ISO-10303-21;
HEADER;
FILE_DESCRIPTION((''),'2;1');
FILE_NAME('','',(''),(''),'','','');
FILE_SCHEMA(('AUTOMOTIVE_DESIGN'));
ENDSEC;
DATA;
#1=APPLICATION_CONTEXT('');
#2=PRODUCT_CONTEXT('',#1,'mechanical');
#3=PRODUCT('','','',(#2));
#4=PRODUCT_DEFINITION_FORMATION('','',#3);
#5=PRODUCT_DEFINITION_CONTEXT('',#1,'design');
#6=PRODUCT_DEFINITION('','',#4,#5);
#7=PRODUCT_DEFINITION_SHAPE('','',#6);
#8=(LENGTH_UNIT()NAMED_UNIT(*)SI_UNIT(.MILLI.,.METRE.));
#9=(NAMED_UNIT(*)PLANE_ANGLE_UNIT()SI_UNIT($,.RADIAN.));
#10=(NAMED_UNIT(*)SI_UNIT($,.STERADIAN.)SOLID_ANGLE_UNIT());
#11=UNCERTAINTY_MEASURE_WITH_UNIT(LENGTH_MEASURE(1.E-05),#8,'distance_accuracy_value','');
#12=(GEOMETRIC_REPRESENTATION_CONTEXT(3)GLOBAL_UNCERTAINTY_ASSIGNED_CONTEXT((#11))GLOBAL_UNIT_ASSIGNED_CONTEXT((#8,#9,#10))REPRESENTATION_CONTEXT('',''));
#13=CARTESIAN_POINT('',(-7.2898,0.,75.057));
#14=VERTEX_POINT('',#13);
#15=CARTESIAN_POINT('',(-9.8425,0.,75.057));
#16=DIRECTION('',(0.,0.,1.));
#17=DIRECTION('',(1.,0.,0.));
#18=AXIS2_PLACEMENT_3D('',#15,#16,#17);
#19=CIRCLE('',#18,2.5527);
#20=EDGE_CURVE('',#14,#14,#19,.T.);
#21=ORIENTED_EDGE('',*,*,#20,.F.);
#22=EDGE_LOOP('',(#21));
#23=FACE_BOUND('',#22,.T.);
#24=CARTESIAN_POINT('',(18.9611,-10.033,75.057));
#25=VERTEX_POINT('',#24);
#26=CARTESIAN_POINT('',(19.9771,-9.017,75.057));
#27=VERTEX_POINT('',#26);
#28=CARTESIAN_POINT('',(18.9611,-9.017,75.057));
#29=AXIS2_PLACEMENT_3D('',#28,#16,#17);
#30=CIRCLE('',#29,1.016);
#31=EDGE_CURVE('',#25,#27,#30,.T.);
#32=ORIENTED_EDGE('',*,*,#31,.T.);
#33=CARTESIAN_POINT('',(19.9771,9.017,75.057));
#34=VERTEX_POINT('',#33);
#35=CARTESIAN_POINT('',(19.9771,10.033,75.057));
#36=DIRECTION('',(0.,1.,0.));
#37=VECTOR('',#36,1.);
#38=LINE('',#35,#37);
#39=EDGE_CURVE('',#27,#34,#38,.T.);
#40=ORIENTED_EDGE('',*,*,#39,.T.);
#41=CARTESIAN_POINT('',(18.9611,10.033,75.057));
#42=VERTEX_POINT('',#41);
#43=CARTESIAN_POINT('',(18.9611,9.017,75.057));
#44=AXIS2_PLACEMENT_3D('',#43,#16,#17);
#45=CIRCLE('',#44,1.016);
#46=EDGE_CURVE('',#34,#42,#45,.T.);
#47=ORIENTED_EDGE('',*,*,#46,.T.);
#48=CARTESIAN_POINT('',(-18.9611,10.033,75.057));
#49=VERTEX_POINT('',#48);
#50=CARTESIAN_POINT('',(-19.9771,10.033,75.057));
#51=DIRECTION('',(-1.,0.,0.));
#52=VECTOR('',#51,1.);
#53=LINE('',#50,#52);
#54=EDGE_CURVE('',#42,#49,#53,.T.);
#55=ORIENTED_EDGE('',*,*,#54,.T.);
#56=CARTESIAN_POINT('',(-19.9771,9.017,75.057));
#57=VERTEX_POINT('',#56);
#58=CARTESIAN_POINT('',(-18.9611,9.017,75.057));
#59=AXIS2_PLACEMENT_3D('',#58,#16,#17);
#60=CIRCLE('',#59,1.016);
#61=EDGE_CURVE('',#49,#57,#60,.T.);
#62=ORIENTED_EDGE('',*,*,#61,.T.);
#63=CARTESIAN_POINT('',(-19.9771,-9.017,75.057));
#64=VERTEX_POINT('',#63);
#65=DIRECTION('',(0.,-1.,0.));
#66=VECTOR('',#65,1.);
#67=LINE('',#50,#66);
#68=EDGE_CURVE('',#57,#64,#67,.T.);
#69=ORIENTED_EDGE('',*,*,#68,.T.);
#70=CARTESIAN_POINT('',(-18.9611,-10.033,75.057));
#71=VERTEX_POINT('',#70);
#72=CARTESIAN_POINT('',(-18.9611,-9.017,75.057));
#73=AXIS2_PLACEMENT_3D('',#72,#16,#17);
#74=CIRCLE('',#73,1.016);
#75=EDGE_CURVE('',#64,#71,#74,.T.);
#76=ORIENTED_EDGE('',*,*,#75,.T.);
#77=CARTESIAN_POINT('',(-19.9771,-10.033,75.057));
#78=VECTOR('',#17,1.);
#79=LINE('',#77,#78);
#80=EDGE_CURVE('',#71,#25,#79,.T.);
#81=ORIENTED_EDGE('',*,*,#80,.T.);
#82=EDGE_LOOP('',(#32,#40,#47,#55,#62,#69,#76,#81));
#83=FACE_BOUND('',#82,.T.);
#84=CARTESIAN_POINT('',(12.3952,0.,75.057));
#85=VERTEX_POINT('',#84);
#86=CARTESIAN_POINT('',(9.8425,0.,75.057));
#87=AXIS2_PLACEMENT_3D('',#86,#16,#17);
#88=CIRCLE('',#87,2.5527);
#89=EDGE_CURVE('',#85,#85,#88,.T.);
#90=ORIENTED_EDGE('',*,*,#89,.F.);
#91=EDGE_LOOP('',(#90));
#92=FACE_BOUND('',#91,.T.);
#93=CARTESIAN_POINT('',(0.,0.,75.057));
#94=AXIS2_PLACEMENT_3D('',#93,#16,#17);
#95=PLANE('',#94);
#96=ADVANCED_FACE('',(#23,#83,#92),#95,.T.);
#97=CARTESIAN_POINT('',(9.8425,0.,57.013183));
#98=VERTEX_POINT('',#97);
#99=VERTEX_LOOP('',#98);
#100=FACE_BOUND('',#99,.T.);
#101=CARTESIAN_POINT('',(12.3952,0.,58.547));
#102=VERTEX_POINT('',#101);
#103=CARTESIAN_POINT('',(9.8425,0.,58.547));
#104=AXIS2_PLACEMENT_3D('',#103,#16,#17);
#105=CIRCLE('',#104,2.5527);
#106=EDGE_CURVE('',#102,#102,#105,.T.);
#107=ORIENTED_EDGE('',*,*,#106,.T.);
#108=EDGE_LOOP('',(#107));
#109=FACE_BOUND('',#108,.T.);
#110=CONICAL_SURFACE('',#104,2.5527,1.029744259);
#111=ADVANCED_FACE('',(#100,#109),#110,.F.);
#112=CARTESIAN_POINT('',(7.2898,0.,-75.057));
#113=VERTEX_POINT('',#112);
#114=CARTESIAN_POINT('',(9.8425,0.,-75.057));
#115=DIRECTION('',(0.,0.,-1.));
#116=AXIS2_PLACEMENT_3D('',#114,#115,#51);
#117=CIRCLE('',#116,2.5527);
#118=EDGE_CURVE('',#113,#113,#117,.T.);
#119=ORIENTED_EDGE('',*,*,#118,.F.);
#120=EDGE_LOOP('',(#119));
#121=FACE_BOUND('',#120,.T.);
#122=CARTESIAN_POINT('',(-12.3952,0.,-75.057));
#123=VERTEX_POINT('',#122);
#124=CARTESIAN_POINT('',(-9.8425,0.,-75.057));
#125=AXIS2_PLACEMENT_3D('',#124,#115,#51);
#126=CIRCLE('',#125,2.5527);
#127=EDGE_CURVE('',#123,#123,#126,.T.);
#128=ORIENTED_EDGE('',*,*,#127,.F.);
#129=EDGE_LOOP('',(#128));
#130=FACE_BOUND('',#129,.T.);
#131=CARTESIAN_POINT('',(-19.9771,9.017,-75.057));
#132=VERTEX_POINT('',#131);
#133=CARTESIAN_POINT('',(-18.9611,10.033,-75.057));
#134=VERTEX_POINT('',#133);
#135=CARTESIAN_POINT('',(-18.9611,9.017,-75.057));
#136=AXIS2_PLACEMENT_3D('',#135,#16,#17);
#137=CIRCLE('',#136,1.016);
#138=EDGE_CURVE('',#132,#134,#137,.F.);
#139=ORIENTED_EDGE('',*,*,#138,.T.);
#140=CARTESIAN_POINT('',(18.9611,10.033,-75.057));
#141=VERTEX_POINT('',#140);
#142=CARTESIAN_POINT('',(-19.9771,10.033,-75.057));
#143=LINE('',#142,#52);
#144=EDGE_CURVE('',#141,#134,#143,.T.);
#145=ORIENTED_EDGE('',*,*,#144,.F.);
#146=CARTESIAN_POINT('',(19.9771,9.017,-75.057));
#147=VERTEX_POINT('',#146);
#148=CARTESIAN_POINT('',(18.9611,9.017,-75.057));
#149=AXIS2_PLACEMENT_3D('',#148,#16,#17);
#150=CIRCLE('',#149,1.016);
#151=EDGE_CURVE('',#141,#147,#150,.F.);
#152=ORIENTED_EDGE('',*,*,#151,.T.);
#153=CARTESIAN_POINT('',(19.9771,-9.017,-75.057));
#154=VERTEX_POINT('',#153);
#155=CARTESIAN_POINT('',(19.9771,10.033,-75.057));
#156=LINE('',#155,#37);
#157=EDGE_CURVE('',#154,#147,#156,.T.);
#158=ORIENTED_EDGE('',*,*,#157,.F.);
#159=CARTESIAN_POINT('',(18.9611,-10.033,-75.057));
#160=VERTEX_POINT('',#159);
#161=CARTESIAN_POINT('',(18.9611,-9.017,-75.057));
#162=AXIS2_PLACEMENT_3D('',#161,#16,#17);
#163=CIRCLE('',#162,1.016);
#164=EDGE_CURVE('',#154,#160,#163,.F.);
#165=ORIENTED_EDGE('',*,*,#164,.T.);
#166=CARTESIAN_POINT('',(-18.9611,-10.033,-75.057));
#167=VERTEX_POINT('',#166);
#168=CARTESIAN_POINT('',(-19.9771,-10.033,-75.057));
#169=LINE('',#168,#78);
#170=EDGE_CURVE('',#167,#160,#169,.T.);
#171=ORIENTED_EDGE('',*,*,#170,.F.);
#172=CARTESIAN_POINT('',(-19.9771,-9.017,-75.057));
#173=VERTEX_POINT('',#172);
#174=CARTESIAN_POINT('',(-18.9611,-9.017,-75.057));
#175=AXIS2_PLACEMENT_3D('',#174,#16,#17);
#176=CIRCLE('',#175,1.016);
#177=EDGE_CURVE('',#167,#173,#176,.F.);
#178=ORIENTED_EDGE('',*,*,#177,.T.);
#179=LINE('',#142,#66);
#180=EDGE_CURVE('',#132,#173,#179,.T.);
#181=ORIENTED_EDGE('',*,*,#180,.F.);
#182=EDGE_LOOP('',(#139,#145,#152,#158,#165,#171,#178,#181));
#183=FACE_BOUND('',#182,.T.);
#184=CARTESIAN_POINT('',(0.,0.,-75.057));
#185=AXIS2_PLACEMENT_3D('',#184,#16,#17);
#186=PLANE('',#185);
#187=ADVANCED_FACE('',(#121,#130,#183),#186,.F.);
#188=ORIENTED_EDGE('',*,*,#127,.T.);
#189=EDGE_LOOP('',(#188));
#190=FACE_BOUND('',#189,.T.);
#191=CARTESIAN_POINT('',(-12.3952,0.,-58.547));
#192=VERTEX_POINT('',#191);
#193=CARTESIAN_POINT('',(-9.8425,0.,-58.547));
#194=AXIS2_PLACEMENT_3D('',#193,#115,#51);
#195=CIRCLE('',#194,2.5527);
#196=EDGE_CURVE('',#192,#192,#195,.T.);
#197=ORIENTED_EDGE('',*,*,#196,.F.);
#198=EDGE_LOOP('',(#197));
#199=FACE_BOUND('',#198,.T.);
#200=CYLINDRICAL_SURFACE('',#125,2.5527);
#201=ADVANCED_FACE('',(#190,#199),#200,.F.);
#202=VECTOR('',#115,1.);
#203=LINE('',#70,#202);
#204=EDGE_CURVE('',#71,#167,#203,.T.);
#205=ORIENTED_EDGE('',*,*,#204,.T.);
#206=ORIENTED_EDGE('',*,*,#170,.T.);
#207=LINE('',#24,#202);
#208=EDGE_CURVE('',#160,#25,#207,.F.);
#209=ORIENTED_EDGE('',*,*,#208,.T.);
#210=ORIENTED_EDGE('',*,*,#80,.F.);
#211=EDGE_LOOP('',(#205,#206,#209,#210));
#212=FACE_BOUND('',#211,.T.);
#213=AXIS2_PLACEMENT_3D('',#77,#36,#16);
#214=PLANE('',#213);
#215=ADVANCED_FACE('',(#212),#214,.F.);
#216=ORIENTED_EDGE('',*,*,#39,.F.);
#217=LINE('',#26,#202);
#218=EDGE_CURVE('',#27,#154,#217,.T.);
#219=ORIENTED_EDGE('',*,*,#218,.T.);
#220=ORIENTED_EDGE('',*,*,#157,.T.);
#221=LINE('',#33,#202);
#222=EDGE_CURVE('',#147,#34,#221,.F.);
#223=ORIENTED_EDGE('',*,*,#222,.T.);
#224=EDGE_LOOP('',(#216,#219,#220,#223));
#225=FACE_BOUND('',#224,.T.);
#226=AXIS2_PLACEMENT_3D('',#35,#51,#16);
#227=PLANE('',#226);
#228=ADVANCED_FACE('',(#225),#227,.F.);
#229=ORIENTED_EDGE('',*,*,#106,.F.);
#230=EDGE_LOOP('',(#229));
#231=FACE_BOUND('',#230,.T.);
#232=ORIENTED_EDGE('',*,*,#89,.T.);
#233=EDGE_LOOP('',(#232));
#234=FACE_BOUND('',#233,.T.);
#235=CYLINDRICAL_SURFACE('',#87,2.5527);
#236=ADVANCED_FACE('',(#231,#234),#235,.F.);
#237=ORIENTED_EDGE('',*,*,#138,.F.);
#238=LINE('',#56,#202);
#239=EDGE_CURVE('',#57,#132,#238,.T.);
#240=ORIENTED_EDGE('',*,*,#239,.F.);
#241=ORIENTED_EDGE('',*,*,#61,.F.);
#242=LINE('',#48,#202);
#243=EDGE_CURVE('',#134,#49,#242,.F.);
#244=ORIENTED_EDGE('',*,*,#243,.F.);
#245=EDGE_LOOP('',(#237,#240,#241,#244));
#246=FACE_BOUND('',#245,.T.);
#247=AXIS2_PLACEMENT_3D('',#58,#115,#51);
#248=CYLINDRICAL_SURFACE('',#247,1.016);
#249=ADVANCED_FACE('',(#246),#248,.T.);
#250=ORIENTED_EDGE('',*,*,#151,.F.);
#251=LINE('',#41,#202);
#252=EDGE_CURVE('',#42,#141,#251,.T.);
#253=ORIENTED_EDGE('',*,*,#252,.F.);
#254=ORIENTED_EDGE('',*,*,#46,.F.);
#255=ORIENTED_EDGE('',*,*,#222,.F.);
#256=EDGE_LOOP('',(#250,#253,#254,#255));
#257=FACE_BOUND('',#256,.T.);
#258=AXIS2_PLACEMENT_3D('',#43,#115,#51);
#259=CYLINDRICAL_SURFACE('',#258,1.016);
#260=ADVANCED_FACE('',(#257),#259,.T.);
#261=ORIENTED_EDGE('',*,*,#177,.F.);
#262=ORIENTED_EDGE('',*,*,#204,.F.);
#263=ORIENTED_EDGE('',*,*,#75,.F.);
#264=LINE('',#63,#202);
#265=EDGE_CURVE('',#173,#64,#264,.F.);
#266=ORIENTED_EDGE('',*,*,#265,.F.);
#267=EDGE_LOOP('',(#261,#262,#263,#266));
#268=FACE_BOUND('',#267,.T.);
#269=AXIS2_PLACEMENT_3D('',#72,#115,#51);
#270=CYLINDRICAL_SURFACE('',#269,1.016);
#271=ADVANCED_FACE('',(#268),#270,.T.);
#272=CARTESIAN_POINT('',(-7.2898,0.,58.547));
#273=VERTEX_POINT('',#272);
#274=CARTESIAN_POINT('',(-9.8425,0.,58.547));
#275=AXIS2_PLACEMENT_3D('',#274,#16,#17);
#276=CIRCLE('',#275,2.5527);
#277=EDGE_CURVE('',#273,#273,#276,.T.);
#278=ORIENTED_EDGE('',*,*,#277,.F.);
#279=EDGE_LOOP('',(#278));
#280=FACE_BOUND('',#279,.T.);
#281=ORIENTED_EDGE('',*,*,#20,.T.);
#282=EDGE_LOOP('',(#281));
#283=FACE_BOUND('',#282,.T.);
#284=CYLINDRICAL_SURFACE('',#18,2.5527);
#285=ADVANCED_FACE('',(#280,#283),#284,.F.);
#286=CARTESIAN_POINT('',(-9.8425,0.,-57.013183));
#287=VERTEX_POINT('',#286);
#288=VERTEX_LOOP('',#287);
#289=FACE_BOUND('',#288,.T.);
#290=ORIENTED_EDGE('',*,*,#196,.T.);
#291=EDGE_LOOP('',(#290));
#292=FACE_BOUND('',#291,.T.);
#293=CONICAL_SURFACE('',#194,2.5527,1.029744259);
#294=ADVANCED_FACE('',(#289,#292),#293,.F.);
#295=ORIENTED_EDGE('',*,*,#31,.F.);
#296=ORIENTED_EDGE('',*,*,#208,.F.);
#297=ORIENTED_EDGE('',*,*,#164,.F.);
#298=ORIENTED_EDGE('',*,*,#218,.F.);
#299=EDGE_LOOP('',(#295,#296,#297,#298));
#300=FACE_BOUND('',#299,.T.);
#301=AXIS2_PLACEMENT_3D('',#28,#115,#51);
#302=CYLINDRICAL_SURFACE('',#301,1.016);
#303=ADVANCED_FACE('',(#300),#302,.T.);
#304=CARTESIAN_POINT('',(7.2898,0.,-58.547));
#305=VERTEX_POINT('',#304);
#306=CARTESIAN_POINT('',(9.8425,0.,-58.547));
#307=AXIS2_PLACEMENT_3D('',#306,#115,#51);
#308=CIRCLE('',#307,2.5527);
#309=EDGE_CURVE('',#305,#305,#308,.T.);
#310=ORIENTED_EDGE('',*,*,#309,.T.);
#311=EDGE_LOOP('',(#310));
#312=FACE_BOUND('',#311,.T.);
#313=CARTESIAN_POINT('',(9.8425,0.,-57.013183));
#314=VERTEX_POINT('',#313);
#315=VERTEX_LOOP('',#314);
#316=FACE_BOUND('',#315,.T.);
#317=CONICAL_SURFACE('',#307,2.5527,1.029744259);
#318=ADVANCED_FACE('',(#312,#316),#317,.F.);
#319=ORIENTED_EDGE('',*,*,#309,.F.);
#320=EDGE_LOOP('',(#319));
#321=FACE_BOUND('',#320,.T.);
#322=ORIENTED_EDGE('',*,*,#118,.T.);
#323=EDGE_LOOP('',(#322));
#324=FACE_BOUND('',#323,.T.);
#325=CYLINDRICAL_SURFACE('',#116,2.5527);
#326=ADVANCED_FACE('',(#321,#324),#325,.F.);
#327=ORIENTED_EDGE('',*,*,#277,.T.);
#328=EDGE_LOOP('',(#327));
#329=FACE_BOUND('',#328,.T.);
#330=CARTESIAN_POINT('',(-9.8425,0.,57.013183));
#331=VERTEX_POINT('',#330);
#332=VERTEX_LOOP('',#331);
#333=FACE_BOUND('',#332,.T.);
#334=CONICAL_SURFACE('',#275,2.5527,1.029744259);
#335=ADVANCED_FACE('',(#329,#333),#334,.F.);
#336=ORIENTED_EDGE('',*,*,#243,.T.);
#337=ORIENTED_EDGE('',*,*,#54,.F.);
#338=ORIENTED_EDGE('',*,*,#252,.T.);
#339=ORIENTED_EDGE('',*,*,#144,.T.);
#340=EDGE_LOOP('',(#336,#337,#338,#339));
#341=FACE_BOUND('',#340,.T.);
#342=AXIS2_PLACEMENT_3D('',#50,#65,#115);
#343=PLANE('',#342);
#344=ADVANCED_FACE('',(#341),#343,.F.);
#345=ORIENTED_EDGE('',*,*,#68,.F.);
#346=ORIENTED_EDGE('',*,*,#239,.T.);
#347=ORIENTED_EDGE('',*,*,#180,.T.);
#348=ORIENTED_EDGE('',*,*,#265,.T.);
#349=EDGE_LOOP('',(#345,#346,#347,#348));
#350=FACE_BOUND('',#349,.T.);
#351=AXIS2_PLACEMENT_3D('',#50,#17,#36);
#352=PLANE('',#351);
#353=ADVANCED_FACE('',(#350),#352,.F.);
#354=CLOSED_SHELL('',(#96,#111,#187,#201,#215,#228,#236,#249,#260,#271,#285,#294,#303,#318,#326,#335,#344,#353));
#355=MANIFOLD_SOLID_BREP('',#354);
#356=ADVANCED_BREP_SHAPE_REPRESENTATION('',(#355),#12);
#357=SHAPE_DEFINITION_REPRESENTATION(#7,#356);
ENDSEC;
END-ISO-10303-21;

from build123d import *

# Parameters (mm, degrees)
SKETCH1_W                        = 39.9542
SKETCH1_H                        = 20.066
BOSS_EXTRUDE1_DEPTH              = 75.057
FILLET1_R                        = 1.016
F_1_4_20_TAPPED_HOLE1_AT_2_COUNT = 2
F_1_4_20_TAPPED_HOLE1_AT_2_PITCH = 19.685


with BuildPart() as part:
    # Sketch1 → Boss-Extrude1 (new, symmetric)
    with BuildSketch(Plane.XY):
        Rectangle(SKETCH1_W, SKETCH1_H)
    extrude(amount=BOSS_EXTRUDE1_DEPTH, both=True)

    # Fillet1
    fillet1_edges = [part.edges().sort_by_distance(p)[0] for p in [
        (19.9771, -10.033, 0),
        (-19.9771, -10.033, 0),
        (-19.9771, 10.033, 0),
        (19.9771, 10.033, 0),
    ]]
    fillet(fillet1_edges, radius=FILLET1_R)

    # Sketch4 → 1/4-20 Tapped Hole1 (revolve, cut)
    with BuildSketch(Plane(origin=(9.8425, 0, -75.057), x_dir=(0, 1, 0), z_dir=(1, 0, 0))):
        Polygon((0, 0), (0, 18.043816902), (2.5527, 16.51), (2.5527, 0), align=None)
    f_1_4_20_tapped_hole1 = revolve(axis=Axis((9.8425, 0, -81.407), (0, 0, 1)), mode=Mode.SUBTRACT)

    # 1/4-20 Tapped Hole1 at 2: 1/4-20 Tapped Hole1 ×2
    with Locations(*[(-i * F_1_4_20_TAPPED_HOLE1_AT_2_PITCH, 0, 0) for i in range(1, F_1_4_20_TAPPED_HOLE1_AT_2_COUNT)]):
        add(f_1_4_20_tapped_hole1, mode=Mode.SUBTRACT)

    # Mirror1: 1/4-20 Tapped Hole1 across plane
    add(f_1_4_20_tapped_hole1.mirror(Plane.XY), mode=Mode.SUBTRACT)

    # Mirror1 copy 1 sketch → Mirror1 copy 1 (revolve, cut)
    with BuildSketch(Plane(origin=(-9.8425, 0, 75.057), x_dir=(0, 1, 0), z_dir=(1, 0, 0))):
        Polygon((0, 0), (0, -18.043816902), (2.5527, -16.51), (2.5527, 0), align=None)
    revolve(axis=Axis((-9.8425, 0, 81.407), (0, 0, 1)), mode=Mode.SUBTRACT)


solid = part.part
